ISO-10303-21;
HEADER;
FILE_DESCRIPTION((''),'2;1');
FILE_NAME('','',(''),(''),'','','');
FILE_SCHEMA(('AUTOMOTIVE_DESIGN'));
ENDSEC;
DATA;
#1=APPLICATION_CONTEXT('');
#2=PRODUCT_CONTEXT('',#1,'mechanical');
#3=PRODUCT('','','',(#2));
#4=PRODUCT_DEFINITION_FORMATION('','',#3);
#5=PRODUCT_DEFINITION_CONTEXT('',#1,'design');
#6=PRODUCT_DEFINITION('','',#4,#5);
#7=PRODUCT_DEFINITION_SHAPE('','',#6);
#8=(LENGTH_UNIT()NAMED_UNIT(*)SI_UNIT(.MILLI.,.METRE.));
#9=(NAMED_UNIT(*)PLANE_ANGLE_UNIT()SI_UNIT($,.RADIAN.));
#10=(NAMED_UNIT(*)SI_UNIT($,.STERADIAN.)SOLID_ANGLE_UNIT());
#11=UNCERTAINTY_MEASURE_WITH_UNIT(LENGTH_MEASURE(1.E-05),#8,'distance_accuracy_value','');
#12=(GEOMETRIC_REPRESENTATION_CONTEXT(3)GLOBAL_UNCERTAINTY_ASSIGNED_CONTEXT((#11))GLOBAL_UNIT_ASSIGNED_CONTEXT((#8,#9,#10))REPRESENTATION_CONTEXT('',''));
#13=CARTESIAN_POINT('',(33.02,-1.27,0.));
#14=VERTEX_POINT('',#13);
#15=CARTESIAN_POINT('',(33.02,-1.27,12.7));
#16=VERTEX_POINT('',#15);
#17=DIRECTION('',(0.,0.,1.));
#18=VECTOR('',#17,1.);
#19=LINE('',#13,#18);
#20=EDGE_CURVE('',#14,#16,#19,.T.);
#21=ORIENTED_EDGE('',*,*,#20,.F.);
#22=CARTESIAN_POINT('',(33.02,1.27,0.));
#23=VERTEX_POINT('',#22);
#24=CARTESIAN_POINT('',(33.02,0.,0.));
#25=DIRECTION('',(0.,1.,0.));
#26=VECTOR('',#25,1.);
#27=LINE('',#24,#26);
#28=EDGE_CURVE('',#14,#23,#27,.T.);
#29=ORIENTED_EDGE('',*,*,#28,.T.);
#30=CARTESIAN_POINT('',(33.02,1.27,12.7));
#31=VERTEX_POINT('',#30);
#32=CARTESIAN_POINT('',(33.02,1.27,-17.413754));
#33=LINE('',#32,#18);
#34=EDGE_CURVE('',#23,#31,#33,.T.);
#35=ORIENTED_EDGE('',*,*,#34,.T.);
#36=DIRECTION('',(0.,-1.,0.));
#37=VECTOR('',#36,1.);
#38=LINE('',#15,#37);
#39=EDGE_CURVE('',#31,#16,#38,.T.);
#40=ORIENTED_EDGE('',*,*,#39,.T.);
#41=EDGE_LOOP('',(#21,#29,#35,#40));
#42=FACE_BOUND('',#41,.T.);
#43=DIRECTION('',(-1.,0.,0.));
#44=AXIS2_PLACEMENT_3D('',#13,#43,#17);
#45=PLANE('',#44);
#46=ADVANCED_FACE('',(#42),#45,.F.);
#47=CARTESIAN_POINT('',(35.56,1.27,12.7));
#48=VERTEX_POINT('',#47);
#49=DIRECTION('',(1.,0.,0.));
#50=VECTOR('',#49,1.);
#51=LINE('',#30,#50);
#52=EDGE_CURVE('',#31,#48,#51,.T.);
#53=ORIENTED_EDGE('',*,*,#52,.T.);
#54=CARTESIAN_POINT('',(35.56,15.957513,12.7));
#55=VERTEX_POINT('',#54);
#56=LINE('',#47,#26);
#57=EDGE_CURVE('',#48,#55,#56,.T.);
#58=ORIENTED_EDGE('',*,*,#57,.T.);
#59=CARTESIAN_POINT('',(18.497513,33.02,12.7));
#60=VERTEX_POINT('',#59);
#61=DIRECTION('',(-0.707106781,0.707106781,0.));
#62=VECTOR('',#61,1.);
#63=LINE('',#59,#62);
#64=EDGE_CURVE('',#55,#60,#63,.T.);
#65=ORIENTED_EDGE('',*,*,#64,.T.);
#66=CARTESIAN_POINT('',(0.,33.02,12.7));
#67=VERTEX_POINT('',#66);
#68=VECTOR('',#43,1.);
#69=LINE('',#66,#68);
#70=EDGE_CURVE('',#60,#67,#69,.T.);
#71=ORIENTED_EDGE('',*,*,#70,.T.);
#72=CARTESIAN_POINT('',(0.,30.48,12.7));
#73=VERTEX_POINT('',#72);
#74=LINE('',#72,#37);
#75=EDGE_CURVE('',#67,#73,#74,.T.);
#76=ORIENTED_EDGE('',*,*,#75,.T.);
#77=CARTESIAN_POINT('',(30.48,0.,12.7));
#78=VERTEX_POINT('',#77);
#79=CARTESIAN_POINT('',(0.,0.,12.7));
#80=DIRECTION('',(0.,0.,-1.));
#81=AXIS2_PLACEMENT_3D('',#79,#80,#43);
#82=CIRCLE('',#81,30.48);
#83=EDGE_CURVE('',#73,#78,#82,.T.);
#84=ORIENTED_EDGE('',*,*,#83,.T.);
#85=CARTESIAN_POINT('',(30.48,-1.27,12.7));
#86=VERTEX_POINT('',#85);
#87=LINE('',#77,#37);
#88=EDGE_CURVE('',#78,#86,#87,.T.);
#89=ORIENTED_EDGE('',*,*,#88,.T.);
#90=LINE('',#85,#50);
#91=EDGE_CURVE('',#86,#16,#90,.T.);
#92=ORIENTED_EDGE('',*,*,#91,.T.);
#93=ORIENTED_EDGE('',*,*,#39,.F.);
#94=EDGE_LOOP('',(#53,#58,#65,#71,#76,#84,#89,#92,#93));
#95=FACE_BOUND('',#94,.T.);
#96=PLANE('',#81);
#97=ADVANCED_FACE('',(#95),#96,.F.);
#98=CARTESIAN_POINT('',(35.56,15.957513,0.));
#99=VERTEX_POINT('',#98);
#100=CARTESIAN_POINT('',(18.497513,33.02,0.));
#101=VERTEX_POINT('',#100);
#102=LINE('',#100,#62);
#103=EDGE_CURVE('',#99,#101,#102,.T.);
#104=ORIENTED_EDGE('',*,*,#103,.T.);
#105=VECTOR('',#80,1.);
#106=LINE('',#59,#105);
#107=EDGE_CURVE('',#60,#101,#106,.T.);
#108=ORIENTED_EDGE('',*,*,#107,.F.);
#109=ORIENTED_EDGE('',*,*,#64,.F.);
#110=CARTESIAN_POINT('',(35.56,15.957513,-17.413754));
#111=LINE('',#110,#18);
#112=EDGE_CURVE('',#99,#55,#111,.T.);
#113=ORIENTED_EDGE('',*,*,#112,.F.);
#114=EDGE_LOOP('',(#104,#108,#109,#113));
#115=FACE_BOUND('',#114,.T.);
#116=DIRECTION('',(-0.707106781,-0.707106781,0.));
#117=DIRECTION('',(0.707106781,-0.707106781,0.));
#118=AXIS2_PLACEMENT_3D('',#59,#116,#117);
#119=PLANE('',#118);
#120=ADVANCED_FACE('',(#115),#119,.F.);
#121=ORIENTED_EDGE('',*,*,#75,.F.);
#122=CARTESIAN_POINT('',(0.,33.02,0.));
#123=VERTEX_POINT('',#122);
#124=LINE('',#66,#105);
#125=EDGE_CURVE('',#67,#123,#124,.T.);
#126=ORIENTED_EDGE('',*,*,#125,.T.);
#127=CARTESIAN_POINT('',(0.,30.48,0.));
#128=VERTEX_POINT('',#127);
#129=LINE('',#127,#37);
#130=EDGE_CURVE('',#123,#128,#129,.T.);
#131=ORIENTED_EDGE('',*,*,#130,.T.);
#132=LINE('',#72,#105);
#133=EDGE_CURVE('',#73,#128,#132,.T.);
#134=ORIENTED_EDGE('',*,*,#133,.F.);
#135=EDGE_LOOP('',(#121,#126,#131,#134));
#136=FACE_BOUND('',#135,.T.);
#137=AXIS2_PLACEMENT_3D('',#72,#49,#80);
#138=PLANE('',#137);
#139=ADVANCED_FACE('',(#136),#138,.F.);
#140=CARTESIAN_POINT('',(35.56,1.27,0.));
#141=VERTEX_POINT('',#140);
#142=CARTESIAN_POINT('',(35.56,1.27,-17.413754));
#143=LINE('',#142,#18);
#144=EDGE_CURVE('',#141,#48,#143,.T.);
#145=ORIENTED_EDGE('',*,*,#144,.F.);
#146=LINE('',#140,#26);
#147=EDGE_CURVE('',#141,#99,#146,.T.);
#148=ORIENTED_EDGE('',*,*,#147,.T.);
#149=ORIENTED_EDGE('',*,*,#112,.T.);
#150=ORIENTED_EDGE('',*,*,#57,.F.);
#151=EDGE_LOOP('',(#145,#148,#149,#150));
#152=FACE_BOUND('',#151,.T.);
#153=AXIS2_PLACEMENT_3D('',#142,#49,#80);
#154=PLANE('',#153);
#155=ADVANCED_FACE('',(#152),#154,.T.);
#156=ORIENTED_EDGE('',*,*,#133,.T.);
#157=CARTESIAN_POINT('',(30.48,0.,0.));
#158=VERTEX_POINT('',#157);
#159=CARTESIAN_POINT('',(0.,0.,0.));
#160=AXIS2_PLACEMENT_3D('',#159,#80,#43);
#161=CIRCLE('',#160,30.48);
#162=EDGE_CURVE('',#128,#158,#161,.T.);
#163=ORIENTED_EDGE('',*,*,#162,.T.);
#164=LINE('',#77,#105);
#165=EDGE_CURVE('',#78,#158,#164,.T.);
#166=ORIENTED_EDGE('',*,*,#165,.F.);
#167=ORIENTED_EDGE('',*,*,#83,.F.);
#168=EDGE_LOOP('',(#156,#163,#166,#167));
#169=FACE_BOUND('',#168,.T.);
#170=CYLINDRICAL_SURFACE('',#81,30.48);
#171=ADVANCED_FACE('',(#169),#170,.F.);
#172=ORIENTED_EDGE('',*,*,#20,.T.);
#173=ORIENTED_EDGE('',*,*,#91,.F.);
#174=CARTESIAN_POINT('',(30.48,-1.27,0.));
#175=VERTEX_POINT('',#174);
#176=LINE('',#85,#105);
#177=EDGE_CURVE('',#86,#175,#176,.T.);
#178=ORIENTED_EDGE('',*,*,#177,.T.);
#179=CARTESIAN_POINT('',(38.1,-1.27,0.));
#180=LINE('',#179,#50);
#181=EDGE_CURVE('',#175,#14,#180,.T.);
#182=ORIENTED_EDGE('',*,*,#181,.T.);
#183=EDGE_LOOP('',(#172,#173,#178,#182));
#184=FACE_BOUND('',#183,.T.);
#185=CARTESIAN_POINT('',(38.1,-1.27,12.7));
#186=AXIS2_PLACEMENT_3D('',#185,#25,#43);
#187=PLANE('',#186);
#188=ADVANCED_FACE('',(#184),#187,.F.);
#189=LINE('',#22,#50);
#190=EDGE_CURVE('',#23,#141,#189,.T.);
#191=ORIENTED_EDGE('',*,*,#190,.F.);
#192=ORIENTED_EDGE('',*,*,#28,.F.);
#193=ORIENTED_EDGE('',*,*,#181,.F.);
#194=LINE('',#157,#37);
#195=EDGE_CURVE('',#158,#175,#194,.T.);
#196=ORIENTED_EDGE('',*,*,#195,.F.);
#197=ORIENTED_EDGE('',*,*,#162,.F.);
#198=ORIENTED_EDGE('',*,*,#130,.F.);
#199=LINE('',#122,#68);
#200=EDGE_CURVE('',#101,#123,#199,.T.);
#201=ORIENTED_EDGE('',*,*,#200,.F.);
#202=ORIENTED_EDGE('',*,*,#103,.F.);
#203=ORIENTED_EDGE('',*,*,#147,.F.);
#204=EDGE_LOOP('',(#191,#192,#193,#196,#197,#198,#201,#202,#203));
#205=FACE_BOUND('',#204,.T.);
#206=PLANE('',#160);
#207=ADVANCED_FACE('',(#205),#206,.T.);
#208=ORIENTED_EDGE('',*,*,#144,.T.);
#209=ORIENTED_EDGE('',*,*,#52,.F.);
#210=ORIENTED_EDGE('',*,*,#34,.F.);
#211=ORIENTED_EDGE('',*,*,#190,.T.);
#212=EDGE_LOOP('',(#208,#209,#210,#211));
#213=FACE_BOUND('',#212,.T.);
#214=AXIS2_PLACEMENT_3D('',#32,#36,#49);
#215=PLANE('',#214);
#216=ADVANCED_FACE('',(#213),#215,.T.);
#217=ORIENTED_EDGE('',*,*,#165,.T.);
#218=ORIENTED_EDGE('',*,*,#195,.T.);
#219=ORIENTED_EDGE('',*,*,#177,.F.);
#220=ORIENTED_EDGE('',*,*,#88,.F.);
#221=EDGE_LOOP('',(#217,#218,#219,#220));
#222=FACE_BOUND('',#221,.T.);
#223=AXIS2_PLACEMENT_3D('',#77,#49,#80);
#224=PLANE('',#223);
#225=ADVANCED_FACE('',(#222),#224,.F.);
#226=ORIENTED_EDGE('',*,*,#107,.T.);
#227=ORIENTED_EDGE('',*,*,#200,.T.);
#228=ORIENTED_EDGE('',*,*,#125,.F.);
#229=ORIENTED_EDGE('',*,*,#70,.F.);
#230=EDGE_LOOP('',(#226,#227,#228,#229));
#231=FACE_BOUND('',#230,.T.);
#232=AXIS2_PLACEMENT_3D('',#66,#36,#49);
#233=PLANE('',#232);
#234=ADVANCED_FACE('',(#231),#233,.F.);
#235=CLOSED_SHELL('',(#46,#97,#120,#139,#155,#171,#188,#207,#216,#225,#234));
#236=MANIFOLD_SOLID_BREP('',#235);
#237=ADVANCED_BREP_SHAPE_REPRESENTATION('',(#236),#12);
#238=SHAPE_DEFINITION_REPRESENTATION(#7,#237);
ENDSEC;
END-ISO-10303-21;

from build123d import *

# Parameters (mm, degrees)
BOSS_EXTRUDE2_DEPTH = 12.7
SKETCH3_W           = 5.08
SKETCH3_H           = 25.4
CUT_EXTRUDE1_DEPTH  = 52.992503306
BOSS_EXTRUDE3_DEPTH = 12.7


with BuildPart() as part:
    # Sketch2 → Boss-Extrude2 (new body)
    with BuildSketch(Plane.XY):
        with BuildLine():
            Line((0, 30.48), (0, 33.02))
            Line((0, 33.02), (18.49751337, 33.02))
            Line((18.49751337, 33.02), (35.56, 15.95751337))
            Line((35.56, 15.95751337), (38.1, -1.27))
            Line((38.1, -1.27), (35.56, -1.27))
            Line((35.56, -1.27), (30.48, -1.27))
            Line((30.48, -1.27), (30.48, 0))
            ThreePointArc((30.48, 0), (21.552614691, 21.552614691), (0, 30.48))
        make_face()
    extrude(amount=BOSS_EXTRUDE2_DEPTH)

    # Sketch3 → Cut-Extrude1 (cut, through all)
    with BuildSketch(Plane.XY.offset(12.7)):
        with Locations((35.56, 11.43)):
            Rectangle(SKETCH3_W, SKETCH3_H)
    extrude(amount=-CUT_EXTRUDE1_DEPTH, mode=Mode.SUBTRACT)

    # Sketch4 → Boss-Extrude3 (add)
    with BuildSketch(Plane.XY.offset(12.7)):
        Polygon((33.02, 1.27), (35.56, 1.27), (35.56, 15.95751337), (33.02, 18.49751337), align=None)
    extrude(amount=-BOSS_EXTRUDE3_DEPTH)


solid = part.part
